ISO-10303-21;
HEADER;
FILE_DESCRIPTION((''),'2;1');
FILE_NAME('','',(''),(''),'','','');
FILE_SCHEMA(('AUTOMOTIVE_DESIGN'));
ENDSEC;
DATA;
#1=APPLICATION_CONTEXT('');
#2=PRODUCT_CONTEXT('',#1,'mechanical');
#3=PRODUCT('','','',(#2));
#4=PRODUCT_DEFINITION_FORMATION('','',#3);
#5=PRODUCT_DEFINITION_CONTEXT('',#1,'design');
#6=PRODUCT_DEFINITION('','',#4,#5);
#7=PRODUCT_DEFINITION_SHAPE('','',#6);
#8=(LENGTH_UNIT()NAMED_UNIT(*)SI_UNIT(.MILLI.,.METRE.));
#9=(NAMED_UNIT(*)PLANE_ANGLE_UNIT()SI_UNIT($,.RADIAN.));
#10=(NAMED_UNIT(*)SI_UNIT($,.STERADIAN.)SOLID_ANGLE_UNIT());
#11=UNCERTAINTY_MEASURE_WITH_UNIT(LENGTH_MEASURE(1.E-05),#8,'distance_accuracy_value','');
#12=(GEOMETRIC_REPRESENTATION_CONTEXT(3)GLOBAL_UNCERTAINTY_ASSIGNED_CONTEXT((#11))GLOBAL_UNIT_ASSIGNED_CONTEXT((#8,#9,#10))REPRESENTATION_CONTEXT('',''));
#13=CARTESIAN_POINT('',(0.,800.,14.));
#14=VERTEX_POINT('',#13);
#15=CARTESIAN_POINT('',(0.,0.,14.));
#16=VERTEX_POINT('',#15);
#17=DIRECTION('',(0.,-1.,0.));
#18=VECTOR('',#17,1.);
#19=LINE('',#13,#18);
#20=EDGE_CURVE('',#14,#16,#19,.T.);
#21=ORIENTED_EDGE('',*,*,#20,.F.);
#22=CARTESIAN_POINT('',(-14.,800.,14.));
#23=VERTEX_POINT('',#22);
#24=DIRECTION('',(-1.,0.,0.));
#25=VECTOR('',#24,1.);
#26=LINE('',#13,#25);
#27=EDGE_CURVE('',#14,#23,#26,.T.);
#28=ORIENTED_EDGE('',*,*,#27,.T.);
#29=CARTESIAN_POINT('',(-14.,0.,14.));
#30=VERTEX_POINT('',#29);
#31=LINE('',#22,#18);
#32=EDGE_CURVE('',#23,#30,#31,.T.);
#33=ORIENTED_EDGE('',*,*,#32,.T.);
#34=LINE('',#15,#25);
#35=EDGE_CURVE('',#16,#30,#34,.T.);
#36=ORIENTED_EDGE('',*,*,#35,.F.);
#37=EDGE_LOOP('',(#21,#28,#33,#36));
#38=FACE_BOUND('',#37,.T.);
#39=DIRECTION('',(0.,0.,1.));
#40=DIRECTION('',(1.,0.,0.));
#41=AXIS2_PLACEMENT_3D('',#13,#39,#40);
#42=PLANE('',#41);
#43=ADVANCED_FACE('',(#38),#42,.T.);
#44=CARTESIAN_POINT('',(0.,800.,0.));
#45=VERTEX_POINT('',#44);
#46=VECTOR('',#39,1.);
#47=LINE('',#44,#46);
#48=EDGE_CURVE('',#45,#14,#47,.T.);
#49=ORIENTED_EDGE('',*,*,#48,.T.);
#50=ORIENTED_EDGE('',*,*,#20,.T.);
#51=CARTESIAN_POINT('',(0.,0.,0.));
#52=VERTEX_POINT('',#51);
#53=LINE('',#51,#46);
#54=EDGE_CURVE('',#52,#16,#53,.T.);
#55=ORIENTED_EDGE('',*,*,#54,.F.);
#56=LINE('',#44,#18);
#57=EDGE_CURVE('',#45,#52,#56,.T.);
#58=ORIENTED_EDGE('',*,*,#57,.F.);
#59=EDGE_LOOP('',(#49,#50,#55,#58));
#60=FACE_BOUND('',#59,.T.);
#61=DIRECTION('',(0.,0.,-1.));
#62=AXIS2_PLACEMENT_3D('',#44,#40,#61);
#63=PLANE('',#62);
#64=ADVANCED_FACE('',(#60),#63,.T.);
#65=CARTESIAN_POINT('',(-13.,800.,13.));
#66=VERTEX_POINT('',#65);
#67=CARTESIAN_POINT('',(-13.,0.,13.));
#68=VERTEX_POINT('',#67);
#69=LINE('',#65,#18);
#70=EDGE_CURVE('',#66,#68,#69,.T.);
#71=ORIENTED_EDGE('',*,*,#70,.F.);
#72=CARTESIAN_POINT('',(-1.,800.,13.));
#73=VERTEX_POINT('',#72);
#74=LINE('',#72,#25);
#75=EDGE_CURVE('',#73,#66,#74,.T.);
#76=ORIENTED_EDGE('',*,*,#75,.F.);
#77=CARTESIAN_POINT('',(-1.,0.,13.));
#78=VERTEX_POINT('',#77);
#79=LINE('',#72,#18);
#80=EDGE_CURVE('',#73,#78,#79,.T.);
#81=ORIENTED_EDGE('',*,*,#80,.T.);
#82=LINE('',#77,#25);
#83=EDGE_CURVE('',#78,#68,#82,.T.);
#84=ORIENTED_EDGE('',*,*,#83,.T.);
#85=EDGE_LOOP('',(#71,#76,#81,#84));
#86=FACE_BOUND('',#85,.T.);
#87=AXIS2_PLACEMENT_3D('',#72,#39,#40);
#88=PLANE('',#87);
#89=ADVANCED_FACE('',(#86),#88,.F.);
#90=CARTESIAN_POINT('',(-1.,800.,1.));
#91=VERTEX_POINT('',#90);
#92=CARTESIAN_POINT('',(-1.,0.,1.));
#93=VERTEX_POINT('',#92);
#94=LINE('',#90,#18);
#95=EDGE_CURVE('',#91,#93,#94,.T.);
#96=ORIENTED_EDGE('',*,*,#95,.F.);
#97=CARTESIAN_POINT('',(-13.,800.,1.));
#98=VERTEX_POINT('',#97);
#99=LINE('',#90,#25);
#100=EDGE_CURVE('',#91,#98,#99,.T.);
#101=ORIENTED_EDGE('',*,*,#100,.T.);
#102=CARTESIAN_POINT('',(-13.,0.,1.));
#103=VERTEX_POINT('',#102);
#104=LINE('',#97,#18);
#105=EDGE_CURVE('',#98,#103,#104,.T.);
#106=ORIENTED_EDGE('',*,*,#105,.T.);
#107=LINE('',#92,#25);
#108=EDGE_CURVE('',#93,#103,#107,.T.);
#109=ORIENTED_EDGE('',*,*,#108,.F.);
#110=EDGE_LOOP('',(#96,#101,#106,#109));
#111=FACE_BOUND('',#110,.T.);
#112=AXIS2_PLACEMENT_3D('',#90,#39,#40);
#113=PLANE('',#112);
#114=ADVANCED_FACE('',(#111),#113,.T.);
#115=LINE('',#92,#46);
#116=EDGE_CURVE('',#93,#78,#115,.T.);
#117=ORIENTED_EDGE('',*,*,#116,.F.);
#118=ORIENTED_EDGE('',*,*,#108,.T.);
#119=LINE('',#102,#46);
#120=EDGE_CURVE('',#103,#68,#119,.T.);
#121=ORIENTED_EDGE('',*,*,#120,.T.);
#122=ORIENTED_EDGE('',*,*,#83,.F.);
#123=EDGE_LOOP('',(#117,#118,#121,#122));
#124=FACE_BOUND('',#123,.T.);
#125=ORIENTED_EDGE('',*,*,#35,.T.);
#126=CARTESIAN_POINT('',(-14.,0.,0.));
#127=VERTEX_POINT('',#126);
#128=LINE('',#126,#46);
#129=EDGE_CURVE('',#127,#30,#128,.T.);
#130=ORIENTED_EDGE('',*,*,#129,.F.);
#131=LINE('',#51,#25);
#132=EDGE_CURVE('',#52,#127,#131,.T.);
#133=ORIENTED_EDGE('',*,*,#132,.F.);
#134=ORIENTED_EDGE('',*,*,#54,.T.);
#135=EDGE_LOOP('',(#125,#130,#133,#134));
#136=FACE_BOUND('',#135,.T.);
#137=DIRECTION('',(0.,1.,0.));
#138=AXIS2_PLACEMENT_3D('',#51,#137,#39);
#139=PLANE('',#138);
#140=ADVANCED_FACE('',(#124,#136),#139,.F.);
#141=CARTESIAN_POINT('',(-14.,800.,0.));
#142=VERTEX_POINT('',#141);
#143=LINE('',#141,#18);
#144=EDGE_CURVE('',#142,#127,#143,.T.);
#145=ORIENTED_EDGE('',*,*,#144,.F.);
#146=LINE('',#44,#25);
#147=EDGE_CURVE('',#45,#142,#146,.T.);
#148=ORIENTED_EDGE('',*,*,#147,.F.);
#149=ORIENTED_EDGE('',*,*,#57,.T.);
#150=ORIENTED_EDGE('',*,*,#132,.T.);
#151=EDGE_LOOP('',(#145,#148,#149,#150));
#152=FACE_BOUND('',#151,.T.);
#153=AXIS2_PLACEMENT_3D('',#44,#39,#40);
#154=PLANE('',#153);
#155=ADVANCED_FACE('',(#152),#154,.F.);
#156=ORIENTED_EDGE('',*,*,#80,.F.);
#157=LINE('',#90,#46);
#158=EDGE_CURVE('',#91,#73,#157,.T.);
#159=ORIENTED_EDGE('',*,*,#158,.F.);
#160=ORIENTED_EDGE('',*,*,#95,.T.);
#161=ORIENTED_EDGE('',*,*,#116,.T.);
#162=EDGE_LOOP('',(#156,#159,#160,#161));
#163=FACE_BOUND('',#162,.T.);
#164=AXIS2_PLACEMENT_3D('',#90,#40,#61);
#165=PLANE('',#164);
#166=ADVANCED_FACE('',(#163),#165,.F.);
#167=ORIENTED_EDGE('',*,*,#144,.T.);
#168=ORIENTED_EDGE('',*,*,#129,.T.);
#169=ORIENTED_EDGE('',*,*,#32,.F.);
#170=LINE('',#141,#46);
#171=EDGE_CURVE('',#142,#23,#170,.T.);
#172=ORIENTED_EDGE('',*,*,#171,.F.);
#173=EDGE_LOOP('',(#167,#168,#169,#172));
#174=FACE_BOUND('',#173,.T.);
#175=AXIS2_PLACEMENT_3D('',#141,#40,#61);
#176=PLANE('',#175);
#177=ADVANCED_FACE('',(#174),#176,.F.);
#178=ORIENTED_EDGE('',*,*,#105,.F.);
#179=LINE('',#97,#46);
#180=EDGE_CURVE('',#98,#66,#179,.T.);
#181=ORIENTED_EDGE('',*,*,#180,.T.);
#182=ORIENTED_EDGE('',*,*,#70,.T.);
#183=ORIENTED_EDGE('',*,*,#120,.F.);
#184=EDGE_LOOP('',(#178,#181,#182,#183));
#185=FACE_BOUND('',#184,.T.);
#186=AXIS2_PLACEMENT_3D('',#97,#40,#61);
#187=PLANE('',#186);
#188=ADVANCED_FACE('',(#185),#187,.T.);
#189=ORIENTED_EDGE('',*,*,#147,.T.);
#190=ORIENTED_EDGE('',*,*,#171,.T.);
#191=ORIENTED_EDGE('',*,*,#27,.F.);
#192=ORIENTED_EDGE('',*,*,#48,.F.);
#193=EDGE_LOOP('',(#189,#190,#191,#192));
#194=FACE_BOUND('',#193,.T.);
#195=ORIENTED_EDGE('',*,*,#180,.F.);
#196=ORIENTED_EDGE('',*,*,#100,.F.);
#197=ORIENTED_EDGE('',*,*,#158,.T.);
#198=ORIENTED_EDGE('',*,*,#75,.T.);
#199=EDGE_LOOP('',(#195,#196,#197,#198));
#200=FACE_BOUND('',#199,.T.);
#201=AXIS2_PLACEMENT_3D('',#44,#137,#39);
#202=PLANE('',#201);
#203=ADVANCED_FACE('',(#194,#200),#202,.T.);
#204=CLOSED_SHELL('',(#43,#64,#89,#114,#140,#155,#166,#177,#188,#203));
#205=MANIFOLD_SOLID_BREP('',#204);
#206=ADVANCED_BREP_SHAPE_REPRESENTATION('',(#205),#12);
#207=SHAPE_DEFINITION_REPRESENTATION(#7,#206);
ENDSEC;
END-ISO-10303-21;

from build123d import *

# Parameters (mm, degrees)
SKETCH1_W           = 14
SKETCH1_H           = 14
SKETCH1_W_2         = 12
SKETCH1_H_2         = 12
BOSS_EXTRUDE1_DEPTH = 800


with BuildPart() as part:
    # Sketch1 → Boss-Extrude1 (new body)
    with BuildSketch(Plane(origin=(0, 0, 0), x_dir=(1, 0, 0), z_dir=(0, 1, 0))):
        with Locations((-7, -7)):
            Rectangle(SKETCH1_W, SKETCH1_H)
        with Locations((-7, -7)):
            Rectangle(SKETCH1_W_2, SKETCH1_H_2, mode=Mode.SUBTRACT)
    extrude(amount=BOSS_EXTRUDE1_DEPTH)


solid = part.part
